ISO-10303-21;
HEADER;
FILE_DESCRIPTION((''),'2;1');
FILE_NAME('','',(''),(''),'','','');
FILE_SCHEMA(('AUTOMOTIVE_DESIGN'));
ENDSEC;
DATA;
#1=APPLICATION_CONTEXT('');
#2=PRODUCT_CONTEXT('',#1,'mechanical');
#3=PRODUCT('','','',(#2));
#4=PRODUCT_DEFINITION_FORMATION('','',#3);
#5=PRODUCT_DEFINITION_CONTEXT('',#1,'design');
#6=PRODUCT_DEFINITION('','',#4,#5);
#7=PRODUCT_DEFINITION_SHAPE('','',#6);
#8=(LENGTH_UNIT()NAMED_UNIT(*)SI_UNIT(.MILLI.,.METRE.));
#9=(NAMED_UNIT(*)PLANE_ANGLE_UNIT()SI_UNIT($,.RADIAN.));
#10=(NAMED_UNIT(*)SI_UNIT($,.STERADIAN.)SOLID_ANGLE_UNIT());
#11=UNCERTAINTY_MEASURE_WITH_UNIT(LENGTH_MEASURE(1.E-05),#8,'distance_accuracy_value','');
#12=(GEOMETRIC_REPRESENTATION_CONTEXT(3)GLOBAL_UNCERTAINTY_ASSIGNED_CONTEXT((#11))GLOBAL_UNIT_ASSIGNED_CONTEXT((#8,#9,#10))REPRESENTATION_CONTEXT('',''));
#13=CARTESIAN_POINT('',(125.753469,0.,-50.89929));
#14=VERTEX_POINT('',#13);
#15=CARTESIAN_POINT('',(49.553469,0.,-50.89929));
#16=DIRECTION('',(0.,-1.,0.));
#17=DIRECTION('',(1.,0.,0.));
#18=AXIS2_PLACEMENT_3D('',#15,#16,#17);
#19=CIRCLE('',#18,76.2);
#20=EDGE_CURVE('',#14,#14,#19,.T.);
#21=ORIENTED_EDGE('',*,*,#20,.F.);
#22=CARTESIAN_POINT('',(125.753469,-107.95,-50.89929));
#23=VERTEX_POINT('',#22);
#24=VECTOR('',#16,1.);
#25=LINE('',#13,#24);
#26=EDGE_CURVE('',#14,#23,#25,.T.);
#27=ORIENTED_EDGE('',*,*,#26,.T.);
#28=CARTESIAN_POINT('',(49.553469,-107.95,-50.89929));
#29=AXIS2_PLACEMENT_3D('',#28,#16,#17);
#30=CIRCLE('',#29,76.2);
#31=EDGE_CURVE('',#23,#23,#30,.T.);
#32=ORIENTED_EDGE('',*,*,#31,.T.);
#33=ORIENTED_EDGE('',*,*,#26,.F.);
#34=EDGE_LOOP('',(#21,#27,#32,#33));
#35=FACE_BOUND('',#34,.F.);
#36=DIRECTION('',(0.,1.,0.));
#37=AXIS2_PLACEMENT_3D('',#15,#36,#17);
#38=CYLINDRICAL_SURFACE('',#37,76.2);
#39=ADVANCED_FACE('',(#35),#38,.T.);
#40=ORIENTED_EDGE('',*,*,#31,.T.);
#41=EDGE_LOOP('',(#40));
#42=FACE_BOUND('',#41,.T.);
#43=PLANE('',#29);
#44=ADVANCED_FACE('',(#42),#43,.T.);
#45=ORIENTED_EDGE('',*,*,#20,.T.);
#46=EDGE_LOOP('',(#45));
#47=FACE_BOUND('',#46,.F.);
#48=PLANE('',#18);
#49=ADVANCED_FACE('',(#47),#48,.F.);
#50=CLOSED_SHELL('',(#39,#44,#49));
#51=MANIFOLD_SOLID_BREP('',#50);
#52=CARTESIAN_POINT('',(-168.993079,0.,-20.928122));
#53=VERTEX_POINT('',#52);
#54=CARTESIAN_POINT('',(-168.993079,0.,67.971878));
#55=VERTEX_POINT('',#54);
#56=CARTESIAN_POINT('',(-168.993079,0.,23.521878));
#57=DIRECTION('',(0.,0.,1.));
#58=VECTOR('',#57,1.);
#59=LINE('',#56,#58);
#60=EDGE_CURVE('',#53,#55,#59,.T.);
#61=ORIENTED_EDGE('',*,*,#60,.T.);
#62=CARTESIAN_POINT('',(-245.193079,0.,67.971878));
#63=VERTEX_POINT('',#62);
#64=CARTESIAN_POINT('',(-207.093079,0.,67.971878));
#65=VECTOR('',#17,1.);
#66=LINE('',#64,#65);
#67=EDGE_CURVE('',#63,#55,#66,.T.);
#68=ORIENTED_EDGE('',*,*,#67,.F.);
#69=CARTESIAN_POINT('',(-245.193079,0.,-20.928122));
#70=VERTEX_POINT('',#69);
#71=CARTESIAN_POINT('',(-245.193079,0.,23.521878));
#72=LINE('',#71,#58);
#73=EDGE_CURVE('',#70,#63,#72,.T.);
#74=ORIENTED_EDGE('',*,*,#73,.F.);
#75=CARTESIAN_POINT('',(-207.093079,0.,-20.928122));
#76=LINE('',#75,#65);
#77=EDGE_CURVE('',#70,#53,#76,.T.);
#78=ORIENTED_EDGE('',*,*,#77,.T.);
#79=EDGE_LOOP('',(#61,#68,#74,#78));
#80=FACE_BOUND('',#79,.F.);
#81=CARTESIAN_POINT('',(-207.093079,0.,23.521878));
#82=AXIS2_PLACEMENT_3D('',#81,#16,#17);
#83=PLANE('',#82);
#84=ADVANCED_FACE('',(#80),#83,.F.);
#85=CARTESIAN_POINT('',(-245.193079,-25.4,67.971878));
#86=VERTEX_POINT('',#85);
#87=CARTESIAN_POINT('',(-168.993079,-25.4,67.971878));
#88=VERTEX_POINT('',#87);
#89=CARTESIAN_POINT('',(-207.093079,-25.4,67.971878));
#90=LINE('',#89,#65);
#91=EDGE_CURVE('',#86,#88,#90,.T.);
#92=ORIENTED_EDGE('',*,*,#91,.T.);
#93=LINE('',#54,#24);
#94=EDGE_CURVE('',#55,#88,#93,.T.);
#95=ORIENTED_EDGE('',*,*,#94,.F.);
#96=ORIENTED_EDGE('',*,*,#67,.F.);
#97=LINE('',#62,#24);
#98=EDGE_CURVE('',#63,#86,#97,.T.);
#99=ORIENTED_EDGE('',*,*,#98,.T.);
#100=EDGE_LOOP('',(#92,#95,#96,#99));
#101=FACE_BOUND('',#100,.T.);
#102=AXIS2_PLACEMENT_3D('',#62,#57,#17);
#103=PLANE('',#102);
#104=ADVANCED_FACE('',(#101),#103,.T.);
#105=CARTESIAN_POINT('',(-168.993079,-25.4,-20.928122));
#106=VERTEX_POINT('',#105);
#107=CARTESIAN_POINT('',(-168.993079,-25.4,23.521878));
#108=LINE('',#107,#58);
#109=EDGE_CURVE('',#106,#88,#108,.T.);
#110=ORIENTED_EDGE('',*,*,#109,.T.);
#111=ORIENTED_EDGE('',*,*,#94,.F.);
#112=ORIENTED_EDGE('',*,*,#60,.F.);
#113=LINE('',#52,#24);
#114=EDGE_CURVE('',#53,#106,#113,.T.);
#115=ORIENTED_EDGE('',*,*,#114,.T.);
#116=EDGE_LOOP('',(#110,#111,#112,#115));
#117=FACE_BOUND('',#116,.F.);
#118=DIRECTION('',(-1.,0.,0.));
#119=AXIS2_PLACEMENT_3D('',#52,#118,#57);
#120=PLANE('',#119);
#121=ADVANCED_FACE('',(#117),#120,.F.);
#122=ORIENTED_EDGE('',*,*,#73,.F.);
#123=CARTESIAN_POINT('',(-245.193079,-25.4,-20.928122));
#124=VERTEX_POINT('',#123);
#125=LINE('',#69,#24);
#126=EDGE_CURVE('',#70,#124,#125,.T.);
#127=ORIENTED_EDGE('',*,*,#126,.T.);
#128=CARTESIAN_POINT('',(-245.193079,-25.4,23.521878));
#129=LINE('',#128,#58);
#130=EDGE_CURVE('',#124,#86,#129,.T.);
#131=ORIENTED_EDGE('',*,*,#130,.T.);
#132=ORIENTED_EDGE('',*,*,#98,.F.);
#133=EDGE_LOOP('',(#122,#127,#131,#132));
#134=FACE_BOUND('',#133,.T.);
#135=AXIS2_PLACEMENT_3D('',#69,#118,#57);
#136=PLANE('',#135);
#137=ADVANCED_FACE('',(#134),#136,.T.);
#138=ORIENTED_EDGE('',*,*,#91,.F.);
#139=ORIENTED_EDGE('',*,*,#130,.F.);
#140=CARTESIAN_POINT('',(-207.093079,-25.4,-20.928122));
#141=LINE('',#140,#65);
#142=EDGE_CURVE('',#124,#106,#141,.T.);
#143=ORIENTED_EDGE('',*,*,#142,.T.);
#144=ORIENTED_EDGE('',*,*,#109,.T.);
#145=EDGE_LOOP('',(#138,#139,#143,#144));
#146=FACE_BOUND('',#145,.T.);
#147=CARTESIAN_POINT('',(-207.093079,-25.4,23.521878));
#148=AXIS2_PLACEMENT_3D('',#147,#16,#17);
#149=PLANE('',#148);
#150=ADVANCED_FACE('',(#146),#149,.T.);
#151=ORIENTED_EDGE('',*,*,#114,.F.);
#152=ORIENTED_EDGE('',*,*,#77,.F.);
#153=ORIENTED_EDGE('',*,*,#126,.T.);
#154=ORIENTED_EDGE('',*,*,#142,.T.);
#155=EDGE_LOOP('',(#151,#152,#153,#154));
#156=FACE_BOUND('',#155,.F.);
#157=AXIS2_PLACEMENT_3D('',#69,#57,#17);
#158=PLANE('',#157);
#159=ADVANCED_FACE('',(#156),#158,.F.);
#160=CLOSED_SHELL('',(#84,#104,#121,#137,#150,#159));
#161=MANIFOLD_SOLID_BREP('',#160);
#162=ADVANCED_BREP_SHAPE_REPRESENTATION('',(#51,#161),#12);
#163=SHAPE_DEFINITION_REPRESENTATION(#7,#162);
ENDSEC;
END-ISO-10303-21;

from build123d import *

# Parameters (mm, degrees)
F0_R     = 76.2
F1_DEPTH = 107.95
F2_W     = 76.2
F2_H     = 88.9
F3_DEPTH = 25.4


with BuildPart() as f1:
    # F0 (on Front) → F1 (new body)
    with BuildSketch(Plane.XZ):
        with Locations((49.553469, -50.89929)):
            Circle(F0_R)
    extrude(amount=F1_DEPTH)


with BuildPart() as f3:
    # F2 (on Front) → F3 (new body)
    with BuildSketch(Plane.XZ):
        with Locations((-207.093079, 23.521878)):
            Rectangle(F2_W, F2_H)
    extrude(amount=F3_DEPTH)


solid = Compound([f1.part, f3.part])
